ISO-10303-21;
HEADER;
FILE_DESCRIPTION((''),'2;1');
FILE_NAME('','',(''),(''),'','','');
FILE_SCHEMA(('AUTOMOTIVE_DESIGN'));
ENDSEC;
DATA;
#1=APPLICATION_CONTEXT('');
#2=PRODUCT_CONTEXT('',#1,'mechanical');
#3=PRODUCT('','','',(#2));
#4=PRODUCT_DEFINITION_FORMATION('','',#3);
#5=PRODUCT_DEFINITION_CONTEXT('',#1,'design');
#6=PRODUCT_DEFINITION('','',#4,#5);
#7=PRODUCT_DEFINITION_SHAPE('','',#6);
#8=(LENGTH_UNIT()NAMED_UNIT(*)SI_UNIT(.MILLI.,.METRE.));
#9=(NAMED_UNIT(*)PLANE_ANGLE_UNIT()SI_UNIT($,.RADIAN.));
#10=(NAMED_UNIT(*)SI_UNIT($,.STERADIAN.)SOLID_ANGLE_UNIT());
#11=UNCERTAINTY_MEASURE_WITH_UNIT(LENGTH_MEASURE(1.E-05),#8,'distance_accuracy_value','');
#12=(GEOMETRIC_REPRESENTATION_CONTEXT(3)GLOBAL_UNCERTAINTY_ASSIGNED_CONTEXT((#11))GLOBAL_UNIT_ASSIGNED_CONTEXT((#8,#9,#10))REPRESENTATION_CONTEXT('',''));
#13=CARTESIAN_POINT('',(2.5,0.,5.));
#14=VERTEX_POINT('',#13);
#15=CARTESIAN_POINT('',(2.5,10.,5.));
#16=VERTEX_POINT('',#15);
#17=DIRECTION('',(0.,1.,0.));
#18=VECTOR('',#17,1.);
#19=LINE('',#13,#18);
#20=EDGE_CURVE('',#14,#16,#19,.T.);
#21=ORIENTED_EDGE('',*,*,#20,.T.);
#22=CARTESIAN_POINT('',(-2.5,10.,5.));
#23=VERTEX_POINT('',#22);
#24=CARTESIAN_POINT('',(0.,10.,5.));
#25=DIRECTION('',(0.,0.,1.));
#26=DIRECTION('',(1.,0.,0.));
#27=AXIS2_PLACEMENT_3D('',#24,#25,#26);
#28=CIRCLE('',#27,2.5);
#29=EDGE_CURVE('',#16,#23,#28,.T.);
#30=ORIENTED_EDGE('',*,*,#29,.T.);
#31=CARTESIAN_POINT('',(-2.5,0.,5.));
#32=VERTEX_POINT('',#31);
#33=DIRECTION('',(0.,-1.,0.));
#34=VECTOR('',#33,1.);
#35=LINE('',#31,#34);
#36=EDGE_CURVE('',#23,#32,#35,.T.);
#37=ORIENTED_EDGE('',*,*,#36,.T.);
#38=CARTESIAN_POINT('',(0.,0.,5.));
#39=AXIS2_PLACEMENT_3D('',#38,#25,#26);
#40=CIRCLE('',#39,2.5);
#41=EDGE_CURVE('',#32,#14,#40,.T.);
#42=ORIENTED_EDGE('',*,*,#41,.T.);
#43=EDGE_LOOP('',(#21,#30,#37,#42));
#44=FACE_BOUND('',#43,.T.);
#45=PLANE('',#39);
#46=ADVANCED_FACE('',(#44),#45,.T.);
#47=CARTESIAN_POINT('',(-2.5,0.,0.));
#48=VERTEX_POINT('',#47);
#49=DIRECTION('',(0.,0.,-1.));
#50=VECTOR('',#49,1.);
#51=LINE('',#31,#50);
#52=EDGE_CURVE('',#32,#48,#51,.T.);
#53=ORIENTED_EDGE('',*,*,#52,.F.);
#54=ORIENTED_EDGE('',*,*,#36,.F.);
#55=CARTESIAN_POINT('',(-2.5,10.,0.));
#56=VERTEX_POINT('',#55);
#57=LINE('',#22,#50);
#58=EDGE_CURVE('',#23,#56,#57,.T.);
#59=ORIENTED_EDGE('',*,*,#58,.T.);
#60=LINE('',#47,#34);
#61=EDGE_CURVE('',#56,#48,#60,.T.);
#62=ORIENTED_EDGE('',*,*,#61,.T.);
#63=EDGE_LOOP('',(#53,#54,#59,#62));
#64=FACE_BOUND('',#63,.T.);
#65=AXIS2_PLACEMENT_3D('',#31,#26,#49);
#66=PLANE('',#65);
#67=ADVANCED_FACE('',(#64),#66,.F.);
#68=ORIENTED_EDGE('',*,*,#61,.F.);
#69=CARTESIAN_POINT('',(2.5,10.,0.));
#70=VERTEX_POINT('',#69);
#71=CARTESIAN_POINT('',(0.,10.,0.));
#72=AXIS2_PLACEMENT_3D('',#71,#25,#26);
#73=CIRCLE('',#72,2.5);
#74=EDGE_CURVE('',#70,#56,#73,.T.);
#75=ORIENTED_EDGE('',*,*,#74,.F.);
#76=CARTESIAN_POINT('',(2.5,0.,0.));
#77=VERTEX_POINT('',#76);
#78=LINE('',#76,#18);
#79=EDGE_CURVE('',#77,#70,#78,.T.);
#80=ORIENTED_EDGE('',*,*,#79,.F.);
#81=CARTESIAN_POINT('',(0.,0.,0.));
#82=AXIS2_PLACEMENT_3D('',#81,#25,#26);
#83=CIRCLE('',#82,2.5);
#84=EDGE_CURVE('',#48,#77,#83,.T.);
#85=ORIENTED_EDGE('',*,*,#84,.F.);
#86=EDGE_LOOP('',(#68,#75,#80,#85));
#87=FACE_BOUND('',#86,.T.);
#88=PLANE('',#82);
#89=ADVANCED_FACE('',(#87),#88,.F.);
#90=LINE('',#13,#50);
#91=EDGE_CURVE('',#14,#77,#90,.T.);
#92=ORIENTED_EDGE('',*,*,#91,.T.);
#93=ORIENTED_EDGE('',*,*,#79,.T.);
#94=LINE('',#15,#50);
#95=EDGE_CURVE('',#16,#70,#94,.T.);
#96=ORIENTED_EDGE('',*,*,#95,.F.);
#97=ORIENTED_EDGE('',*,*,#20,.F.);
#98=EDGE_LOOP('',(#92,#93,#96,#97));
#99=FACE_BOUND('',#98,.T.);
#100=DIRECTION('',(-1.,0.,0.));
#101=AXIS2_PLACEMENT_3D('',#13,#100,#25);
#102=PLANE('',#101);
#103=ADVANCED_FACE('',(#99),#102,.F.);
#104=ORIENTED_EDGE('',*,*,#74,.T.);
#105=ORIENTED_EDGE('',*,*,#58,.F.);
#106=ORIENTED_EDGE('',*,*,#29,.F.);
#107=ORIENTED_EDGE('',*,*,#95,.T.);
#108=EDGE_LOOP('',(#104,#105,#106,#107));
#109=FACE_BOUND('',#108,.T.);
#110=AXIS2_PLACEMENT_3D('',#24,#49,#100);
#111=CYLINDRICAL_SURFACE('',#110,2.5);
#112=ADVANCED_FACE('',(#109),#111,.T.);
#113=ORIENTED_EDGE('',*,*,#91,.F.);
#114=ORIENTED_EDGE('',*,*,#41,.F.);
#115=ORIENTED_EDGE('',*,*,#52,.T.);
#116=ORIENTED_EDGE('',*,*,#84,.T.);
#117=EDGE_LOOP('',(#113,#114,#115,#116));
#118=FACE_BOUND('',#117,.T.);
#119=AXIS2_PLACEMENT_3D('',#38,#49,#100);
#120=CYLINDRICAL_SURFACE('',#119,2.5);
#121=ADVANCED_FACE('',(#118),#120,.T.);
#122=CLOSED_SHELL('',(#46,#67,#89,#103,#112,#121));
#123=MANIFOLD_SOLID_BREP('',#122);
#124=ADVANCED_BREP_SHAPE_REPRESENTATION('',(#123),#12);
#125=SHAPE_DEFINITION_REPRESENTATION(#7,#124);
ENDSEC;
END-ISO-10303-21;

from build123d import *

# Parameters (mm, degrees)
DODANIE_WYCI_GNI_CIE1_DEPTH = 5


with BuildPart() as part:
    # Szkic1 → Dodanie-wyciągnięcie1 (new body)
    with BuildSketch(Plane.XY):
        with BuildLine():
            Line((-2.5, 0), (-2.5, 10))
            ThreePointArc((-2.5, 10), (0, 12.5), (2.5, 10))
            Line((2.5, 10), (2.5, 0))
            ThreePointArc((2.5, 0), (0, -2.5), (-2.5, 0))
        make_face()
    extrude(amount=DODANIE_WYCI_GNI_CIE1_DEPTH)


solid = part.part
